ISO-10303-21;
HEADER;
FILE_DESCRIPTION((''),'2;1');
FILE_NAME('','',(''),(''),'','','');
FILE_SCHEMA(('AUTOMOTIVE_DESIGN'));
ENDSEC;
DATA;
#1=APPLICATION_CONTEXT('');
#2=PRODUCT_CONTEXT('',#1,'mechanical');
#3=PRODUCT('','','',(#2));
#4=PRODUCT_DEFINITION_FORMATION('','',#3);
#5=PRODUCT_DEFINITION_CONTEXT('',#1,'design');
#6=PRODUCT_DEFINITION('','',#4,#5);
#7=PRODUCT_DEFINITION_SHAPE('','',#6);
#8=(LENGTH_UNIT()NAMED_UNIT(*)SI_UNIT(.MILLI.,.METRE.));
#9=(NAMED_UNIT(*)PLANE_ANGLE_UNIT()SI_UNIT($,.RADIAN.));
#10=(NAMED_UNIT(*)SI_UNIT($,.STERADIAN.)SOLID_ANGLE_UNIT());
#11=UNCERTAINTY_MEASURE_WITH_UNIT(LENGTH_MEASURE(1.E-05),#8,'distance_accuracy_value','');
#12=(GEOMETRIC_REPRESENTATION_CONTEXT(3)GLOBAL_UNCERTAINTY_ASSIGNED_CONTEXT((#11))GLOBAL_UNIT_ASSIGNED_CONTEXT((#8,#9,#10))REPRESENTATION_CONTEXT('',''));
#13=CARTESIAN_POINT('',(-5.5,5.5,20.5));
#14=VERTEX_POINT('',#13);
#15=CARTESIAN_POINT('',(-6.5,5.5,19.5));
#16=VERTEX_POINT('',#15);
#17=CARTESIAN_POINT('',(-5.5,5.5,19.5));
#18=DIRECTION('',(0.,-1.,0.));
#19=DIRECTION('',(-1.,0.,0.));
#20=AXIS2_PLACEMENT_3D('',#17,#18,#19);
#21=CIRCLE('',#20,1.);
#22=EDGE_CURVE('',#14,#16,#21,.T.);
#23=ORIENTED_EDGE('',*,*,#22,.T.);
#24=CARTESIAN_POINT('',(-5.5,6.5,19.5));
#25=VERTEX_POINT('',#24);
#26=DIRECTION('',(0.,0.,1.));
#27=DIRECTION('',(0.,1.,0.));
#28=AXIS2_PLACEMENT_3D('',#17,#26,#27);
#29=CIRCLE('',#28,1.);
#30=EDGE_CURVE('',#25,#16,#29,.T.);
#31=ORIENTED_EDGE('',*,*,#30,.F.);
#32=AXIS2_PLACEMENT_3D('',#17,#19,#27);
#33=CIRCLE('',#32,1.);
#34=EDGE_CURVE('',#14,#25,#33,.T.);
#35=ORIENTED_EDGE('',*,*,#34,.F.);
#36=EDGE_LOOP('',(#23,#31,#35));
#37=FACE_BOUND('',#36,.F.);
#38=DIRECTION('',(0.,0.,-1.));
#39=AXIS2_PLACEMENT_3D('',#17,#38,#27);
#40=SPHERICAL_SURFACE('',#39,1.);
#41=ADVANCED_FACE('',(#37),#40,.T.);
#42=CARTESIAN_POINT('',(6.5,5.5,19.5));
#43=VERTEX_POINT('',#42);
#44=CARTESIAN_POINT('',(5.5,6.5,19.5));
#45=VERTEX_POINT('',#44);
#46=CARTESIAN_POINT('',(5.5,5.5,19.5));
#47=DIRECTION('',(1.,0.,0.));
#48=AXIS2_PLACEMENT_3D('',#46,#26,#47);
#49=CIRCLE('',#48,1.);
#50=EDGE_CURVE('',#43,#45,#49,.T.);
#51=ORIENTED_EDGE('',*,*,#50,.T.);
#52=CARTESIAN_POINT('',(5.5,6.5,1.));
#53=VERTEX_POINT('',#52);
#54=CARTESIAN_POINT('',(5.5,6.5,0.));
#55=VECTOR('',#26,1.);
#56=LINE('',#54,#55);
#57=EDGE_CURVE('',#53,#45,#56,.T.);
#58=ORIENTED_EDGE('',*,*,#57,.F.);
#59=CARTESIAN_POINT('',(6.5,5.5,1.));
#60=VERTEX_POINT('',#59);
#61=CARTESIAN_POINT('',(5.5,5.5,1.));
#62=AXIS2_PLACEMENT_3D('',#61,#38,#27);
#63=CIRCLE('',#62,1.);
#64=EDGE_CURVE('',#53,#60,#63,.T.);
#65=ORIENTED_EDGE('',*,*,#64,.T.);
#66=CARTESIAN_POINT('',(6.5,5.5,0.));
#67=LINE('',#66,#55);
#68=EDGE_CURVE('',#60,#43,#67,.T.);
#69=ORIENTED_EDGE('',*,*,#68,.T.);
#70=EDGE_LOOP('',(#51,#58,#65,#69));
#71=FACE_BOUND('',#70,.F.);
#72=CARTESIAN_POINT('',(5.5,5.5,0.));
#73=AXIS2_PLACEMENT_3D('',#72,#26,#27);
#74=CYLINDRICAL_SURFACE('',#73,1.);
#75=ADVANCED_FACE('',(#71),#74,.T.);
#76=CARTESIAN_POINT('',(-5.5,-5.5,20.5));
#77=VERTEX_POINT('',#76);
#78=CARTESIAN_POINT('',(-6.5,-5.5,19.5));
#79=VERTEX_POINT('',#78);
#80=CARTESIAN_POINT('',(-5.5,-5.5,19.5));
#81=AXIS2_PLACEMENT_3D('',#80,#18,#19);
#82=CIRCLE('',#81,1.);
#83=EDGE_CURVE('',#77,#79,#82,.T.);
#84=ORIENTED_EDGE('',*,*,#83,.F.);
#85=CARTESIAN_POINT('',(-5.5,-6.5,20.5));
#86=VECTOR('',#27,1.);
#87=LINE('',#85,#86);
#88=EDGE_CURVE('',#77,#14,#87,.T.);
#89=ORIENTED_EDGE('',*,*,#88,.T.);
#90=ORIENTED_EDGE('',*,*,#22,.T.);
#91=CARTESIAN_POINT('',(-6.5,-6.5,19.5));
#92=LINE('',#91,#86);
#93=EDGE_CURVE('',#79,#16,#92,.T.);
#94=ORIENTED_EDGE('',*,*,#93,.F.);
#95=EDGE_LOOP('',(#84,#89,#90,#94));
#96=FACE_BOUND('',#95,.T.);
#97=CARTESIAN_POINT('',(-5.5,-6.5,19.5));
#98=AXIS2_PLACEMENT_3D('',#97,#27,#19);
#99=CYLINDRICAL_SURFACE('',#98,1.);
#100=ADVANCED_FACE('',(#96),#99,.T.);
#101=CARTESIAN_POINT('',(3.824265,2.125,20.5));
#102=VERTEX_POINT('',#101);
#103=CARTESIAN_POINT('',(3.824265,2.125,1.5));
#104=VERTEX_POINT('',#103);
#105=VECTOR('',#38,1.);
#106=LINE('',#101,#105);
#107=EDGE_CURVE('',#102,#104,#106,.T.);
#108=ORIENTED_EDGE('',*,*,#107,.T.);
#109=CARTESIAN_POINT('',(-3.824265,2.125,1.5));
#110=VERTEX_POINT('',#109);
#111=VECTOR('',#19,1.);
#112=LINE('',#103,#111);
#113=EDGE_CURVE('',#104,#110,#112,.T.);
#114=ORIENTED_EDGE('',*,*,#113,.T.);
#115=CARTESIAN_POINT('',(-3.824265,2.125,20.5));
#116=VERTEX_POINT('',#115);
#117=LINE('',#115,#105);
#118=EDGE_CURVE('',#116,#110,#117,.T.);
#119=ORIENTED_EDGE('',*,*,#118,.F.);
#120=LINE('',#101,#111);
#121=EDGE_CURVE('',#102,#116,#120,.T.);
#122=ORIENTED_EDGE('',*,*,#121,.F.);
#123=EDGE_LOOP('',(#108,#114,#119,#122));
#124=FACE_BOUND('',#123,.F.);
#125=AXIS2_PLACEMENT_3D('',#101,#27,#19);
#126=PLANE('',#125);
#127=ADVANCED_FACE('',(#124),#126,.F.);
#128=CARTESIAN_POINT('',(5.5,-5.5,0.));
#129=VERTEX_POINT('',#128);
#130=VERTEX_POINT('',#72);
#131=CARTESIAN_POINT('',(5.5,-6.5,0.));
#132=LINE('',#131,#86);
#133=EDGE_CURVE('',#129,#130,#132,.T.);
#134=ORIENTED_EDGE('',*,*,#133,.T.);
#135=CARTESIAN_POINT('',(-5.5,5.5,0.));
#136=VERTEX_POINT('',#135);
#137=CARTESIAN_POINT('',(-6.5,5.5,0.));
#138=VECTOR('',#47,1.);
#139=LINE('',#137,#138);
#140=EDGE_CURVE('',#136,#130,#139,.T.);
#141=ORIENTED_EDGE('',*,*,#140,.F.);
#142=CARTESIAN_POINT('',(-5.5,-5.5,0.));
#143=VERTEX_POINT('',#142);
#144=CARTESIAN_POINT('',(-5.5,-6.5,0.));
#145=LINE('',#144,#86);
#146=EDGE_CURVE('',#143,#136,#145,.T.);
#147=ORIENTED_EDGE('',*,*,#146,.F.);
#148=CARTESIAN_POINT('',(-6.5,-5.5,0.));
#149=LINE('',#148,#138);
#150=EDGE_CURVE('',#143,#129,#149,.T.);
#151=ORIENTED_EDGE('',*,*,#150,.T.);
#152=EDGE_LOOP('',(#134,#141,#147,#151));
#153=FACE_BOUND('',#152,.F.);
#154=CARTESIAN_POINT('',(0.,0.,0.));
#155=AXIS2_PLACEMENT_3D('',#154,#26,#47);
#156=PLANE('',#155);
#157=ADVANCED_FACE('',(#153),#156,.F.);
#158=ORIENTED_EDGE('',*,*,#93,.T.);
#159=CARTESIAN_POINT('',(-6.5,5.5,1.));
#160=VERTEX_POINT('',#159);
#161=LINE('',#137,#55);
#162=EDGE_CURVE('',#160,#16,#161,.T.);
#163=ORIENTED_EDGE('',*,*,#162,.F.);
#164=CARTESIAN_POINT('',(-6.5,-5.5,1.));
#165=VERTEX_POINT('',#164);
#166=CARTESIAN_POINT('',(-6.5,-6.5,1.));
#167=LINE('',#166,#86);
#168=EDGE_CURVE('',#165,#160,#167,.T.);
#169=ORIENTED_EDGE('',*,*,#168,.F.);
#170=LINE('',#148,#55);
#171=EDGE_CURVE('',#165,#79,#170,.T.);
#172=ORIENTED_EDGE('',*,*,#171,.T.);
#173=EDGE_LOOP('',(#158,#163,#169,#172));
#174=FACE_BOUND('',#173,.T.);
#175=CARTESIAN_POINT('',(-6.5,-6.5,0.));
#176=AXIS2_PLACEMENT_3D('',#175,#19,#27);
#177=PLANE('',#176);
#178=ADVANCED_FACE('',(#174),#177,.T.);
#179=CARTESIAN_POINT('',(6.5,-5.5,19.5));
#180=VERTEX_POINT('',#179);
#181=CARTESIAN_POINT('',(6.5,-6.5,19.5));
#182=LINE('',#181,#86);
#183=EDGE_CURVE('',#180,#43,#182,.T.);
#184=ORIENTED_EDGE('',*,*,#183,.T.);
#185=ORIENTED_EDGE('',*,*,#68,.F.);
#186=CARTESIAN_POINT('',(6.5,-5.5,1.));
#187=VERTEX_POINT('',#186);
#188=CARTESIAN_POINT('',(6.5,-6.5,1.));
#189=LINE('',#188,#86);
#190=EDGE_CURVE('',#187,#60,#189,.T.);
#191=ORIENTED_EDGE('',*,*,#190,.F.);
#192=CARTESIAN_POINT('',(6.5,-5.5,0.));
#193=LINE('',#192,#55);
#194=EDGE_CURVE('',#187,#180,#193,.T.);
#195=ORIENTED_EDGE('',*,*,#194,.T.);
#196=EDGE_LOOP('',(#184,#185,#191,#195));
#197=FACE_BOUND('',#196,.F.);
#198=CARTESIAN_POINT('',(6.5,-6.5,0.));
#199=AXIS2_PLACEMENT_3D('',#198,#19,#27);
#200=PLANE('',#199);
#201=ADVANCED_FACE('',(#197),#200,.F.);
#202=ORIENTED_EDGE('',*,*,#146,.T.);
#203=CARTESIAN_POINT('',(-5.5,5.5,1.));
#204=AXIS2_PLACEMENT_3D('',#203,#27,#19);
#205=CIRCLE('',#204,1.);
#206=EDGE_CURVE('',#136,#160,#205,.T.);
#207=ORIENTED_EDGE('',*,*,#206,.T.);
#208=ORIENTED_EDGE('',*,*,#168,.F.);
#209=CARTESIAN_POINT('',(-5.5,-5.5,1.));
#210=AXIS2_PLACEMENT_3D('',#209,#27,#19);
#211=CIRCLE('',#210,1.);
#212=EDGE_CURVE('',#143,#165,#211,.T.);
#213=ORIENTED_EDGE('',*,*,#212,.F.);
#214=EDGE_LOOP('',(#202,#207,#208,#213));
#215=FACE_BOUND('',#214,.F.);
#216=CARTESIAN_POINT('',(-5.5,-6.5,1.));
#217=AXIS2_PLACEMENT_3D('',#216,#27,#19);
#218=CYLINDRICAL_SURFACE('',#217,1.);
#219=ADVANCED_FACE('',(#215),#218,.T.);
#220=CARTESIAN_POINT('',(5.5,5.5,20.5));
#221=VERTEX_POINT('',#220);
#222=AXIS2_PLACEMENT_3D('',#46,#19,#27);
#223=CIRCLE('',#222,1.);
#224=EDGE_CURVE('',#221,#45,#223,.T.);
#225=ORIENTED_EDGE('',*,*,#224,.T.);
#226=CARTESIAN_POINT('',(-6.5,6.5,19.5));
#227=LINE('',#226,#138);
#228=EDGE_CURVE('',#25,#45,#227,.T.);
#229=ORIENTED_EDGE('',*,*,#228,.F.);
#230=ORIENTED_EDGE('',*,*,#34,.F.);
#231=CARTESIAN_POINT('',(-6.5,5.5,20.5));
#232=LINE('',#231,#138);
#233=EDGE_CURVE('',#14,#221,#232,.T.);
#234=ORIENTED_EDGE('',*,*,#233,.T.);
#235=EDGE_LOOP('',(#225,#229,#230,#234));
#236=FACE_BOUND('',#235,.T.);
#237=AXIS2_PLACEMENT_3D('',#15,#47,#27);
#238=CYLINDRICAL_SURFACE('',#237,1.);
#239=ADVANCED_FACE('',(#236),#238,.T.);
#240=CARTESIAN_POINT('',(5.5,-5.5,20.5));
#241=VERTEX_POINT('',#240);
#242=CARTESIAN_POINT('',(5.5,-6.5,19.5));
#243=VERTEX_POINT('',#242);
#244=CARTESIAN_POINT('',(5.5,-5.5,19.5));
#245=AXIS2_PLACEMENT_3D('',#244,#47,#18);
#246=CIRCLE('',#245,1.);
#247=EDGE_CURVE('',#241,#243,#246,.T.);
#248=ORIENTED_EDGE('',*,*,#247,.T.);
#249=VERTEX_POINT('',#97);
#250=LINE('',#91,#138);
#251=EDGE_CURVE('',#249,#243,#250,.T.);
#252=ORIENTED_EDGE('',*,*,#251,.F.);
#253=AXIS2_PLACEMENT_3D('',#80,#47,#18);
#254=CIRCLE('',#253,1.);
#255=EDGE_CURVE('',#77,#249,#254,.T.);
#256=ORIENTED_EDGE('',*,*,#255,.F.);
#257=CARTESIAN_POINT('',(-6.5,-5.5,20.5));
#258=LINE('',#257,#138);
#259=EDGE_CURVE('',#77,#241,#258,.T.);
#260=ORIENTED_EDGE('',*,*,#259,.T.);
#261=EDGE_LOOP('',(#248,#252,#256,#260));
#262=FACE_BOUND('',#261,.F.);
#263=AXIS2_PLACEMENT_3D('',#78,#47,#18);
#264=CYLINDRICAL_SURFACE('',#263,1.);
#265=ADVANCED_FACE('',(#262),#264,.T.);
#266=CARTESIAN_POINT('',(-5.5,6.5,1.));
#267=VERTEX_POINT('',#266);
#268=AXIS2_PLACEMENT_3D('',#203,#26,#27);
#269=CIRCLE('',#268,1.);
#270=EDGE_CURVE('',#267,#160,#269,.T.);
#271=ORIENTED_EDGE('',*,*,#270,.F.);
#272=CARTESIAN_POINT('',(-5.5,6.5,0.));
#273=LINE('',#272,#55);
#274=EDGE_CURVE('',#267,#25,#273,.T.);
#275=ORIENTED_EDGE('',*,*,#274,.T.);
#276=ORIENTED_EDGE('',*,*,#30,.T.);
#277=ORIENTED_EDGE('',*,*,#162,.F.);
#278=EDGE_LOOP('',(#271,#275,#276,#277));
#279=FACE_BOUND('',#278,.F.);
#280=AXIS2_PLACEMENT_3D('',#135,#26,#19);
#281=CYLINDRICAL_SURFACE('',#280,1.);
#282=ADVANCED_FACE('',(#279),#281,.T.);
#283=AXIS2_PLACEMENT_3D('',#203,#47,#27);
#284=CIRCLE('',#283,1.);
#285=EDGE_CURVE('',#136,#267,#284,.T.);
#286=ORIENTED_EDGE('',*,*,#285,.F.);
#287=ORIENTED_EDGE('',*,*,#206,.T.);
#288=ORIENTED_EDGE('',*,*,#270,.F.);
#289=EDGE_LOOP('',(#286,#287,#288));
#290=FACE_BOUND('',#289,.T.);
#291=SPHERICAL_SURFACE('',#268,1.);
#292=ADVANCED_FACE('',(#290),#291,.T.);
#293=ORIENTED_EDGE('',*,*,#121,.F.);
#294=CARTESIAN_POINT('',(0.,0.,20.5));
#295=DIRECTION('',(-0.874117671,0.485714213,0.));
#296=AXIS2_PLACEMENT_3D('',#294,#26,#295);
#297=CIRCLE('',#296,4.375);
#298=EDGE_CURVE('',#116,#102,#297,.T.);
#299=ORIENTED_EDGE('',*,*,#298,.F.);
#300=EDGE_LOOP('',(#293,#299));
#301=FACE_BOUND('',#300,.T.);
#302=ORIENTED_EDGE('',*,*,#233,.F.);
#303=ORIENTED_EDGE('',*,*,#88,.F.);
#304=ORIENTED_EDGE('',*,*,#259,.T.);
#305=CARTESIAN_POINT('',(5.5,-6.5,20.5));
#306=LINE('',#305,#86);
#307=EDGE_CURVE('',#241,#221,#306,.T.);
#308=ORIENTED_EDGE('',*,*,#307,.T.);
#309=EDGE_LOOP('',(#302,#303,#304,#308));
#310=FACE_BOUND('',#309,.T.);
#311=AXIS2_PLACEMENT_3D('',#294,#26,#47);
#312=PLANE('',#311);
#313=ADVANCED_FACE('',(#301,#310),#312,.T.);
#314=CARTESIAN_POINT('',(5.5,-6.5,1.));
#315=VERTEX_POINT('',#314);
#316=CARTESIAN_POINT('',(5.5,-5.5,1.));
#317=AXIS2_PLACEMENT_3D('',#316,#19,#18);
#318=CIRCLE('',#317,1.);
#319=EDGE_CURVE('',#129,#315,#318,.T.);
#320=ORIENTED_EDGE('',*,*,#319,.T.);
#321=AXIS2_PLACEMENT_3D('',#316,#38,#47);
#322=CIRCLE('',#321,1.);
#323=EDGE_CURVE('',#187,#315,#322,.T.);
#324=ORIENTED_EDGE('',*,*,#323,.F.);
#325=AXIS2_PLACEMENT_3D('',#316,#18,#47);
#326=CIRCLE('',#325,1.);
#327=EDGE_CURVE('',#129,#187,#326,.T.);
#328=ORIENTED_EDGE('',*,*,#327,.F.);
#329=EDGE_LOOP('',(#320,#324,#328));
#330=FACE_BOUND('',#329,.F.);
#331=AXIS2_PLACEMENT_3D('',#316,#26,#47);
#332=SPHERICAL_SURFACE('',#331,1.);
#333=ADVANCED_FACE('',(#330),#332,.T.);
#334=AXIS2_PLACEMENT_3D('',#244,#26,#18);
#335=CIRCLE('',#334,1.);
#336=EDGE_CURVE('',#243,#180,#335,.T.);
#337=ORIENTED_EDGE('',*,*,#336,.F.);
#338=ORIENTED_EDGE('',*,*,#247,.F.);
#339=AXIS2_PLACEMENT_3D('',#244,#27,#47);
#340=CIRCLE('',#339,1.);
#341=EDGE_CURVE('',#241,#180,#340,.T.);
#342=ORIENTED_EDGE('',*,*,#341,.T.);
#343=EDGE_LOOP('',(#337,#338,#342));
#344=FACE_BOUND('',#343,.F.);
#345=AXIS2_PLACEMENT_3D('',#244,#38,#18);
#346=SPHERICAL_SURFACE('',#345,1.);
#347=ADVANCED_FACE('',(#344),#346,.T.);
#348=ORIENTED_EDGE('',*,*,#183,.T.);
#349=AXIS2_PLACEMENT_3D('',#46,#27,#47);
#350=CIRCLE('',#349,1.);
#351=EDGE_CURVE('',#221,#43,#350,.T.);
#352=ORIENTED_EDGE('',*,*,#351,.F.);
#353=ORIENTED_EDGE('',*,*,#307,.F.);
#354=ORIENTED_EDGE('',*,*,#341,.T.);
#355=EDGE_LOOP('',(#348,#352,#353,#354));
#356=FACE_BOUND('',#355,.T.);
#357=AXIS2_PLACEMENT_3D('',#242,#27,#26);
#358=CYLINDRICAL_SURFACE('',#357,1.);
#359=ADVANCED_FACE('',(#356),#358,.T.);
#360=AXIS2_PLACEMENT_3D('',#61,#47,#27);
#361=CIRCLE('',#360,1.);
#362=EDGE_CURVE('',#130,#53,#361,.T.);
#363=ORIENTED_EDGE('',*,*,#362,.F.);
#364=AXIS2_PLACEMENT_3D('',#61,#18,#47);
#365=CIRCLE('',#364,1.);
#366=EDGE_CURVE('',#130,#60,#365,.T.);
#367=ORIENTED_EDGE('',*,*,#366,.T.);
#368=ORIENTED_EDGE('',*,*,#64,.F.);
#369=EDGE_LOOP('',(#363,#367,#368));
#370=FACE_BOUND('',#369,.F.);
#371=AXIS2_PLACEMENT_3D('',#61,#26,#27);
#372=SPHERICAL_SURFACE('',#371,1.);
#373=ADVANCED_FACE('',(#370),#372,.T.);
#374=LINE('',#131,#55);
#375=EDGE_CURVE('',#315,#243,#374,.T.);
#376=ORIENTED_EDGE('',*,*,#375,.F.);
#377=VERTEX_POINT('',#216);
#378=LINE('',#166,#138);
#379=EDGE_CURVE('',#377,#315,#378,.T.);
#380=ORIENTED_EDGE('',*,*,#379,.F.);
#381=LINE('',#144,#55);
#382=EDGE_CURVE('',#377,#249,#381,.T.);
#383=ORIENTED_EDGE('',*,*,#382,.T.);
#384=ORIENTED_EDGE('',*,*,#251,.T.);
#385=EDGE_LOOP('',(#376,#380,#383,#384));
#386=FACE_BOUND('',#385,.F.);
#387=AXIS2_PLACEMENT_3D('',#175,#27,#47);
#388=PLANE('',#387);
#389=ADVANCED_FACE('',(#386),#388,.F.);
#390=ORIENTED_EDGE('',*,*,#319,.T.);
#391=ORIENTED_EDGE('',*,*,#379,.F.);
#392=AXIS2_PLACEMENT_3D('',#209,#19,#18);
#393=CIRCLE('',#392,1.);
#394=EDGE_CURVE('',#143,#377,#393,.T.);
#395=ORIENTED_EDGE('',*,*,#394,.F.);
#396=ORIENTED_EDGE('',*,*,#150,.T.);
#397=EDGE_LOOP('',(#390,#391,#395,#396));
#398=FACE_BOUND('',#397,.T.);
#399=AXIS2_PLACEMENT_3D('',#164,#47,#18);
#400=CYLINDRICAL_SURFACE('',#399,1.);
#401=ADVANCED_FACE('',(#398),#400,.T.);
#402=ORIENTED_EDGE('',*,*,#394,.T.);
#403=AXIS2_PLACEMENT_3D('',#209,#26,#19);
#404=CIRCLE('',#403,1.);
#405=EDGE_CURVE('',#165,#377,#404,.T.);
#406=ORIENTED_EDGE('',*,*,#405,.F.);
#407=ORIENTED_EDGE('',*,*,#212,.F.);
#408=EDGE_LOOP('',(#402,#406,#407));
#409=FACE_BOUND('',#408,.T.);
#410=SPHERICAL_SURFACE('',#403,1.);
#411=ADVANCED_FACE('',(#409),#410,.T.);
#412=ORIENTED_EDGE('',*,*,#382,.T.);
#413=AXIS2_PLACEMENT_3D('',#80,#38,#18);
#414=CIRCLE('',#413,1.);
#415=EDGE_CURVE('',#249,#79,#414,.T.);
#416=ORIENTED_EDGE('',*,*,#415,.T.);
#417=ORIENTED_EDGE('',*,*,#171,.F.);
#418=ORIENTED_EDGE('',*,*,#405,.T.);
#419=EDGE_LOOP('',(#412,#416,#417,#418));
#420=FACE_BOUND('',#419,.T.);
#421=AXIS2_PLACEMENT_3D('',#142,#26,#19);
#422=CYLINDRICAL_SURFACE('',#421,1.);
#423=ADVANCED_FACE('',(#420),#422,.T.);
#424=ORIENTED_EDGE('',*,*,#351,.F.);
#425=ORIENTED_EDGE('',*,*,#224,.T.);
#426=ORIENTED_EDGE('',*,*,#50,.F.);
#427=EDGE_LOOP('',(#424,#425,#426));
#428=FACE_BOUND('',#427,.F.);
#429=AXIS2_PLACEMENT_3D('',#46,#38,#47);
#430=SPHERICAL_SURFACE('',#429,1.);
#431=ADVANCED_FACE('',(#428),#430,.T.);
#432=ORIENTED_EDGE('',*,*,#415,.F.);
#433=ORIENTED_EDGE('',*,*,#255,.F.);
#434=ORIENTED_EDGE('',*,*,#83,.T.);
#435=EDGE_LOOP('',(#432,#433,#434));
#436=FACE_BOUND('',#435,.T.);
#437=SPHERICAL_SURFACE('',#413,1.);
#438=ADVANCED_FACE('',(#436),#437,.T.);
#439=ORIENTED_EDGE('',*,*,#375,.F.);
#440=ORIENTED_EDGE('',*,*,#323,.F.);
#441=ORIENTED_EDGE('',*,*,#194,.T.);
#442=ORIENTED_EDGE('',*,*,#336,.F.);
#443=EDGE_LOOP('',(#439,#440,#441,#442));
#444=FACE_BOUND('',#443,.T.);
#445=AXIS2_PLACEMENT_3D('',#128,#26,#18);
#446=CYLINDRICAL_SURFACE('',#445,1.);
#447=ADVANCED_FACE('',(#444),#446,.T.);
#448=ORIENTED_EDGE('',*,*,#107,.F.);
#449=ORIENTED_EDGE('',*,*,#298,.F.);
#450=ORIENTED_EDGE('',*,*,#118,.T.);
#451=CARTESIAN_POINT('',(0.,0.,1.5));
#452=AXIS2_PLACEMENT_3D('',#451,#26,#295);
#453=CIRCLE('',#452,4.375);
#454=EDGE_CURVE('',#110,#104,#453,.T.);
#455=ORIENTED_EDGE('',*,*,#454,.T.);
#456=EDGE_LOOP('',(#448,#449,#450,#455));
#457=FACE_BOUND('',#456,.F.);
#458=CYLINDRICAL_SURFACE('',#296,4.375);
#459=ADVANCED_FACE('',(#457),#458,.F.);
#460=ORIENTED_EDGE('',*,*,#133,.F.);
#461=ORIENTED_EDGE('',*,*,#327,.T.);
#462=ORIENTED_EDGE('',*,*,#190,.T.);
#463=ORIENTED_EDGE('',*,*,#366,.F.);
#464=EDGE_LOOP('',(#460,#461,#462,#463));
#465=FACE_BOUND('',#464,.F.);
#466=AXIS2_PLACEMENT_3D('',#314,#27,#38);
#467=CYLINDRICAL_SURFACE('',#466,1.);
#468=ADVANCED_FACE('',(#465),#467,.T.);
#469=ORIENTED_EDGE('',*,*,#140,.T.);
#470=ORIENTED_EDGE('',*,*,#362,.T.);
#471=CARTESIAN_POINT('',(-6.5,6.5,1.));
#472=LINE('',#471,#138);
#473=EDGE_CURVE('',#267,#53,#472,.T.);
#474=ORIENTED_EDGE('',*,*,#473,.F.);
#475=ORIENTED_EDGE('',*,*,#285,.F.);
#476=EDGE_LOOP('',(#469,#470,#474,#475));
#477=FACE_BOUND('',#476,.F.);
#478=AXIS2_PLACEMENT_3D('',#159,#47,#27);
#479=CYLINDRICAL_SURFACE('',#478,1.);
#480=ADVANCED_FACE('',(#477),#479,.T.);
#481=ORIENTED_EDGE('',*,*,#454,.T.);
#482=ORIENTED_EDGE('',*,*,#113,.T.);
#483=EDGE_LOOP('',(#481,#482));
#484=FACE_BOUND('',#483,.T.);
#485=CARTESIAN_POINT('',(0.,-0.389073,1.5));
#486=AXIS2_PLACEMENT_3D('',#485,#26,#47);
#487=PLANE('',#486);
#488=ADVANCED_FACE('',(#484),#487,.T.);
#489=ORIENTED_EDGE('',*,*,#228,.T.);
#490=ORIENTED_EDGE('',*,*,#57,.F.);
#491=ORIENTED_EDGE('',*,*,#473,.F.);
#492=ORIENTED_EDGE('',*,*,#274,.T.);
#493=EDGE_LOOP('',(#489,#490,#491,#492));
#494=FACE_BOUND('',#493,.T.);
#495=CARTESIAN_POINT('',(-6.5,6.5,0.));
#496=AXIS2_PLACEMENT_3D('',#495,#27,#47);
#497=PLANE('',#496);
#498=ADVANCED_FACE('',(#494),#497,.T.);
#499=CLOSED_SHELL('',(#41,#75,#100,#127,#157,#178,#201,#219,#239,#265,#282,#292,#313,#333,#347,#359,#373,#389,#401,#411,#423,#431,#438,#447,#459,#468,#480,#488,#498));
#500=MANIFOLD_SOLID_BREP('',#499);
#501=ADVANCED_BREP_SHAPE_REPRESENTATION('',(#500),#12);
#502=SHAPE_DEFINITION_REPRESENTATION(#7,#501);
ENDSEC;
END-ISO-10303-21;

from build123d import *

# Parameters (mm, degrees)
F0_W     = 13
F0_H     = 13
F1_DEPTH = 20.5
F3_DEPTH = 19
F4_R     = 1


with BuildPart() as f1:
    # F0 (on Top) → F1 (new body)
    with BuildSketch(Plane.XY):
        Rectangle(F0_W, F0_H)
    extrude(amount=F1_DEPTH)

    # F2 (on face) → F3 (cut)
    with BuildSketch(Plane.XY.offset(20.5)):
        with BuildLine():
            Line((3.824265, 2.125), (-3.824265, 2.125))
            ThreePointArc((-3.824265, 2.125), (0, -4.375), (3.824265, 2.125))
        make_face()
    extrude(amount=-F3_DEPTH, mode=Mode.SUBTRACT)

    # F4
    f4_edges = [f1.edges().sort_by_distance(p)[0] for p in [
        (-6.5, 6.5, 10.25),
        (-6.5, -6.5, 10.25),
        (6.5, -6.5, 10.25),
        (6.5, 6.5, 10.25),
        (0, 6.5, 0),
        (-6.5, 0, 0),
        (6.5, 0, 0),
        (0, -6.5, 0),
        (0, -6.5, 20.5),
        (6.5, 0, 20.5),
        (0, 6.5, 20.5),
        (-6.5, 0, 20.5),
    ]]
    fillet(f4_edges, radius=F4_R)


solid = f1.part
